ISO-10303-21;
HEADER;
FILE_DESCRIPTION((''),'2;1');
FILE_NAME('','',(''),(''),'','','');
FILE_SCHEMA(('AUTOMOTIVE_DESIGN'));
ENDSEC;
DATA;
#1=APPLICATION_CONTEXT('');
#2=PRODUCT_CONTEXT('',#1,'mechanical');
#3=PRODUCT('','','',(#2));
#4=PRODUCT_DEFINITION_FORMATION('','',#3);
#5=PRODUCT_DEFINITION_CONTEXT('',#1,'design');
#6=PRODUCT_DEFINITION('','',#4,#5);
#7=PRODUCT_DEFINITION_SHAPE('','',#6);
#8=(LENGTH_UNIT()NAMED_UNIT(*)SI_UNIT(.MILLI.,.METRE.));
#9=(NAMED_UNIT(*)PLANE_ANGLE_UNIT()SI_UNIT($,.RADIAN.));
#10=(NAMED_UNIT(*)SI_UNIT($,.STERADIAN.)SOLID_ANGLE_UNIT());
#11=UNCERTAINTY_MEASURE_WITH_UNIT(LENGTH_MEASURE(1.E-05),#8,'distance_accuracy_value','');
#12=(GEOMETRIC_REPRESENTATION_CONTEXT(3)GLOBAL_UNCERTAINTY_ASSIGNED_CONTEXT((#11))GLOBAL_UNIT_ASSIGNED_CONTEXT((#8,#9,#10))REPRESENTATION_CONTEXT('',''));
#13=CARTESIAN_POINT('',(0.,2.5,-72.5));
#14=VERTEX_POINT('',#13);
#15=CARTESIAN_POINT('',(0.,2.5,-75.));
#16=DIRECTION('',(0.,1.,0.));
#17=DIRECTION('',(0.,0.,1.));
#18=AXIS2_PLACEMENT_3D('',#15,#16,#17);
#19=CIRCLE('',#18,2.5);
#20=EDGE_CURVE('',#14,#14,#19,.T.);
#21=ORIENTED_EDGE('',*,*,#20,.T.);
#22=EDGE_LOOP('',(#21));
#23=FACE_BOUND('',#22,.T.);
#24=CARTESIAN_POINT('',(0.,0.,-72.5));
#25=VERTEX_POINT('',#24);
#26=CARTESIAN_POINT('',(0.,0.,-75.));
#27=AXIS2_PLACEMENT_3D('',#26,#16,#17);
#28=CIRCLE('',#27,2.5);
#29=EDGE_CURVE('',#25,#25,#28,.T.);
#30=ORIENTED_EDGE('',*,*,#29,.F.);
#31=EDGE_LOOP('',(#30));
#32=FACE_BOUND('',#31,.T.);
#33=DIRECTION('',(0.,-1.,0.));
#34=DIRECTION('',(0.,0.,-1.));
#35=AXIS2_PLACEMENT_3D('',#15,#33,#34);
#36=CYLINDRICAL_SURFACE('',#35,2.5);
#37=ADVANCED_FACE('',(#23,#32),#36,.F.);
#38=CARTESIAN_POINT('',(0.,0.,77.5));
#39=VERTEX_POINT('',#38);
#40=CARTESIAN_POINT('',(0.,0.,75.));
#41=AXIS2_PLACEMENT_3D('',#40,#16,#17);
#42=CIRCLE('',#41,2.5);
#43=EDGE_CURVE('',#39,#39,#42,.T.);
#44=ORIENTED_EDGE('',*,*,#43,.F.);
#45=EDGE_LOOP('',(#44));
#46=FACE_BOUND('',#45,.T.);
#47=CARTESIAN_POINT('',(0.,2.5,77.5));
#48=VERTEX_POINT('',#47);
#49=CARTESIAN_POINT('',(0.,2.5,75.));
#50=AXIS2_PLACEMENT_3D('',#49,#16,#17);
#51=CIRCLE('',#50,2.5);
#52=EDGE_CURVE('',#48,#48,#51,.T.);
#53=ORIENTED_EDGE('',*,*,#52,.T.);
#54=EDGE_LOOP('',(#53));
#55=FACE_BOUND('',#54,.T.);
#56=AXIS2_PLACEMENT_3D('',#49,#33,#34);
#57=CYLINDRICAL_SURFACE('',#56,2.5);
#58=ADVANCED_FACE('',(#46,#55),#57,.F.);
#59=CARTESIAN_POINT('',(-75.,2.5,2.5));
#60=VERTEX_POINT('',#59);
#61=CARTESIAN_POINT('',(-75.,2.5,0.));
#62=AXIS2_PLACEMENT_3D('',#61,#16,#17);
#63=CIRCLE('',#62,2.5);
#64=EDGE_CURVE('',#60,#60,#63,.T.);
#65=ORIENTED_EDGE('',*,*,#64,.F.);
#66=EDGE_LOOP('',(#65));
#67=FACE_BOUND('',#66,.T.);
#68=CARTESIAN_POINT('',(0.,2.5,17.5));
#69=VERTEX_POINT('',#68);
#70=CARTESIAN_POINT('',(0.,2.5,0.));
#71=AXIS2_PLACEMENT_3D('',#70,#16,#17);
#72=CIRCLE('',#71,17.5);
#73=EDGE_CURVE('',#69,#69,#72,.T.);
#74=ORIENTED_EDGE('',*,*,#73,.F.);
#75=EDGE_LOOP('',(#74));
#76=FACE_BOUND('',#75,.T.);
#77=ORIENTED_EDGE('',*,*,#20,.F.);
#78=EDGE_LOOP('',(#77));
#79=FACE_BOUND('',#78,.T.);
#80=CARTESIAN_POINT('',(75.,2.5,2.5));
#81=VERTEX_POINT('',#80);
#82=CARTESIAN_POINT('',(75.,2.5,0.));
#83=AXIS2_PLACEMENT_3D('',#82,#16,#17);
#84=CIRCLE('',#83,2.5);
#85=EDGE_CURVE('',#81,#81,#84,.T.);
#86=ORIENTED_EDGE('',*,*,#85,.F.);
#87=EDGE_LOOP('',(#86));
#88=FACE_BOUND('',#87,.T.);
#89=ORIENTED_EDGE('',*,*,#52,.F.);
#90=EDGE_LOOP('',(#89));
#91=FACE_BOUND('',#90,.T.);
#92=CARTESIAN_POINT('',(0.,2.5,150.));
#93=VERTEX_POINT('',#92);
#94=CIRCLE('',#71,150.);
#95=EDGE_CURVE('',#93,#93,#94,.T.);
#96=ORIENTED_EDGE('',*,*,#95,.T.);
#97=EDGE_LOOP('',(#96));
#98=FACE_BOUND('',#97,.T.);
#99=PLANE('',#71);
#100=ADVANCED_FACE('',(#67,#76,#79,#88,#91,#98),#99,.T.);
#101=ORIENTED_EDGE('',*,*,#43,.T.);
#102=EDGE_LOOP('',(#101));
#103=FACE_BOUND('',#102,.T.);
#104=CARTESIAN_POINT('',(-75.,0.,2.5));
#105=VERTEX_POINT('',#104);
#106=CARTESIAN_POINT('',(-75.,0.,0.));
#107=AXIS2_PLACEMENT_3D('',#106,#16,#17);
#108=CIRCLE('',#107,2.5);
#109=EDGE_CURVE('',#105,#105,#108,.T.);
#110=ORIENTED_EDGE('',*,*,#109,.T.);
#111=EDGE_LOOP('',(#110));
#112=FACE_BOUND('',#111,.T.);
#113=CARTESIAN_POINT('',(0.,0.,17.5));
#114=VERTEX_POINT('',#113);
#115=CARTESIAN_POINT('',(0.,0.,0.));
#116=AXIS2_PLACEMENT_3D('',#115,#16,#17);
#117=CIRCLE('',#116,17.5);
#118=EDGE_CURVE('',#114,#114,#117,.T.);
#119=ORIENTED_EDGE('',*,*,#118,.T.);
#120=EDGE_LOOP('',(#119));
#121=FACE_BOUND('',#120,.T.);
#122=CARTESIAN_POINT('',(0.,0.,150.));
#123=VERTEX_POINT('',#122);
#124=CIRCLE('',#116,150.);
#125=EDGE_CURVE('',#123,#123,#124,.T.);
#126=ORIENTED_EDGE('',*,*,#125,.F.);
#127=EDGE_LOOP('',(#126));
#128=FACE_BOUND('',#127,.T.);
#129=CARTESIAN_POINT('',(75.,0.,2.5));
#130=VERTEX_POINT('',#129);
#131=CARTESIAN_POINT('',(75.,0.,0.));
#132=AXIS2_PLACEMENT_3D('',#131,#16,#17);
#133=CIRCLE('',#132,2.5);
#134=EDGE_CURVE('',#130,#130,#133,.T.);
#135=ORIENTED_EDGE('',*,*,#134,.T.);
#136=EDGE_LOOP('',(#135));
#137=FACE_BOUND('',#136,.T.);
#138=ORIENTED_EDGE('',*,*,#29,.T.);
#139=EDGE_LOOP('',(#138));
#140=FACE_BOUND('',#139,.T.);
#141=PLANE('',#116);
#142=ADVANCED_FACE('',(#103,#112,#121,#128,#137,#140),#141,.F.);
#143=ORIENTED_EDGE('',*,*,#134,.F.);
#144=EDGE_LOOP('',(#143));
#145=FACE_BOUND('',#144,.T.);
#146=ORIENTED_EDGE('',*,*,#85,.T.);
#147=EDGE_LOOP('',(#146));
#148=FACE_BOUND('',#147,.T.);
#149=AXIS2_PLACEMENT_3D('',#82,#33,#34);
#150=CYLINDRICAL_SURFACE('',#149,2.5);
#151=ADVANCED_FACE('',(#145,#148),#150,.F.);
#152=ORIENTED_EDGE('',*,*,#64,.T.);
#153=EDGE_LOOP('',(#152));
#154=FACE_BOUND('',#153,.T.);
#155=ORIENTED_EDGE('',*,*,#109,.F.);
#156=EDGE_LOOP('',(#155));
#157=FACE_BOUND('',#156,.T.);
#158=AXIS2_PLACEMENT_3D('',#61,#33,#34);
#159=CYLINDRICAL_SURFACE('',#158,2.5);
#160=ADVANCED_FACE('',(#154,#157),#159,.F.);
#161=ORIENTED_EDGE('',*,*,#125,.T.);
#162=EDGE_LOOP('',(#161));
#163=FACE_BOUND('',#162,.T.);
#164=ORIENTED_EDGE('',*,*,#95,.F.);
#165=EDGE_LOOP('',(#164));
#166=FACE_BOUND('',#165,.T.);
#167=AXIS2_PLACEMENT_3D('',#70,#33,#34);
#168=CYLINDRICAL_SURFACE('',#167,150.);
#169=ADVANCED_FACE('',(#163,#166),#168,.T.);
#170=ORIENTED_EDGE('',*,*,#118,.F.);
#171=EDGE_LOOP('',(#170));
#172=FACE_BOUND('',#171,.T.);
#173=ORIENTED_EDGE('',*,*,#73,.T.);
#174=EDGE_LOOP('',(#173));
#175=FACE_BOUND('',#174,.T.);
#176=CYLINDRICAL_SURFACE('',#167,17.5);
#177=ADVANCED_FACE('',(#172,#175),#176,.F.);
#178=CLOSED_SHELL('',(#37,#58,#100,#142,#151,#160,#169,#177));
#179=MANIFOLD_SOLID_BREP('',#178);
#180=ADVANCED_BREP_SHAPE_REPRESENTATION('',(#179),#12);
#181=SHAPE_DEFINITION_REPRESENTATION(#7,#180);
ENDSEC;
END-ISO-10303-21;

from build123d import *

# Parameters (mm, degrees)
SKETCH3_R           = 150
SKETCH3_R_2         = 17.5
SKETCH3_R_3         = 2.5
BOSS_EXTRUDE1_DEPTH = 2.5


with BuildPart() as part:
    # Sketch3 → Boss-Extrude1 (new body)
    with BuildSketch(Plane(origin=(0, 0, 0), x_dir=(1, 0, 0), z_dir=(0, 1, 0))):
        with Locations(Location((0, 0, 0), (0, 0, 270))):
            Circle(SKETCH3_R)
        with Locations(Location((0, 0, 0), (0, 0, 270))):
            Circle(SKETCH3_R_2, mode=Mode.SUBTRACT)
        with Locations(Location((-75, 0, 0), (0, 0, 270))):
            Circle(SKETCH3_R_3, mode=Mode.SUBTRACT)
        with Locations(Location((0, 75, 0), (0, 0, 270))):
            Circle(SKETCH3_R_3, mode=Mode.SUBTRACT)
        with Locations(Location((75, 0, 0), (0, 0, 270))):
            Circle(SKETCH3_R_3, mode=Mode.SUBTRACT)
        with Locations(Location((0, -75, 0), (0, 0, 270))):
            Circle(SKETCH3_R_3, mode=Mode.SUBTRACT)
    extrude(amount=BOSS_EXTRUDE1_DEPTH)


solid = part.part
